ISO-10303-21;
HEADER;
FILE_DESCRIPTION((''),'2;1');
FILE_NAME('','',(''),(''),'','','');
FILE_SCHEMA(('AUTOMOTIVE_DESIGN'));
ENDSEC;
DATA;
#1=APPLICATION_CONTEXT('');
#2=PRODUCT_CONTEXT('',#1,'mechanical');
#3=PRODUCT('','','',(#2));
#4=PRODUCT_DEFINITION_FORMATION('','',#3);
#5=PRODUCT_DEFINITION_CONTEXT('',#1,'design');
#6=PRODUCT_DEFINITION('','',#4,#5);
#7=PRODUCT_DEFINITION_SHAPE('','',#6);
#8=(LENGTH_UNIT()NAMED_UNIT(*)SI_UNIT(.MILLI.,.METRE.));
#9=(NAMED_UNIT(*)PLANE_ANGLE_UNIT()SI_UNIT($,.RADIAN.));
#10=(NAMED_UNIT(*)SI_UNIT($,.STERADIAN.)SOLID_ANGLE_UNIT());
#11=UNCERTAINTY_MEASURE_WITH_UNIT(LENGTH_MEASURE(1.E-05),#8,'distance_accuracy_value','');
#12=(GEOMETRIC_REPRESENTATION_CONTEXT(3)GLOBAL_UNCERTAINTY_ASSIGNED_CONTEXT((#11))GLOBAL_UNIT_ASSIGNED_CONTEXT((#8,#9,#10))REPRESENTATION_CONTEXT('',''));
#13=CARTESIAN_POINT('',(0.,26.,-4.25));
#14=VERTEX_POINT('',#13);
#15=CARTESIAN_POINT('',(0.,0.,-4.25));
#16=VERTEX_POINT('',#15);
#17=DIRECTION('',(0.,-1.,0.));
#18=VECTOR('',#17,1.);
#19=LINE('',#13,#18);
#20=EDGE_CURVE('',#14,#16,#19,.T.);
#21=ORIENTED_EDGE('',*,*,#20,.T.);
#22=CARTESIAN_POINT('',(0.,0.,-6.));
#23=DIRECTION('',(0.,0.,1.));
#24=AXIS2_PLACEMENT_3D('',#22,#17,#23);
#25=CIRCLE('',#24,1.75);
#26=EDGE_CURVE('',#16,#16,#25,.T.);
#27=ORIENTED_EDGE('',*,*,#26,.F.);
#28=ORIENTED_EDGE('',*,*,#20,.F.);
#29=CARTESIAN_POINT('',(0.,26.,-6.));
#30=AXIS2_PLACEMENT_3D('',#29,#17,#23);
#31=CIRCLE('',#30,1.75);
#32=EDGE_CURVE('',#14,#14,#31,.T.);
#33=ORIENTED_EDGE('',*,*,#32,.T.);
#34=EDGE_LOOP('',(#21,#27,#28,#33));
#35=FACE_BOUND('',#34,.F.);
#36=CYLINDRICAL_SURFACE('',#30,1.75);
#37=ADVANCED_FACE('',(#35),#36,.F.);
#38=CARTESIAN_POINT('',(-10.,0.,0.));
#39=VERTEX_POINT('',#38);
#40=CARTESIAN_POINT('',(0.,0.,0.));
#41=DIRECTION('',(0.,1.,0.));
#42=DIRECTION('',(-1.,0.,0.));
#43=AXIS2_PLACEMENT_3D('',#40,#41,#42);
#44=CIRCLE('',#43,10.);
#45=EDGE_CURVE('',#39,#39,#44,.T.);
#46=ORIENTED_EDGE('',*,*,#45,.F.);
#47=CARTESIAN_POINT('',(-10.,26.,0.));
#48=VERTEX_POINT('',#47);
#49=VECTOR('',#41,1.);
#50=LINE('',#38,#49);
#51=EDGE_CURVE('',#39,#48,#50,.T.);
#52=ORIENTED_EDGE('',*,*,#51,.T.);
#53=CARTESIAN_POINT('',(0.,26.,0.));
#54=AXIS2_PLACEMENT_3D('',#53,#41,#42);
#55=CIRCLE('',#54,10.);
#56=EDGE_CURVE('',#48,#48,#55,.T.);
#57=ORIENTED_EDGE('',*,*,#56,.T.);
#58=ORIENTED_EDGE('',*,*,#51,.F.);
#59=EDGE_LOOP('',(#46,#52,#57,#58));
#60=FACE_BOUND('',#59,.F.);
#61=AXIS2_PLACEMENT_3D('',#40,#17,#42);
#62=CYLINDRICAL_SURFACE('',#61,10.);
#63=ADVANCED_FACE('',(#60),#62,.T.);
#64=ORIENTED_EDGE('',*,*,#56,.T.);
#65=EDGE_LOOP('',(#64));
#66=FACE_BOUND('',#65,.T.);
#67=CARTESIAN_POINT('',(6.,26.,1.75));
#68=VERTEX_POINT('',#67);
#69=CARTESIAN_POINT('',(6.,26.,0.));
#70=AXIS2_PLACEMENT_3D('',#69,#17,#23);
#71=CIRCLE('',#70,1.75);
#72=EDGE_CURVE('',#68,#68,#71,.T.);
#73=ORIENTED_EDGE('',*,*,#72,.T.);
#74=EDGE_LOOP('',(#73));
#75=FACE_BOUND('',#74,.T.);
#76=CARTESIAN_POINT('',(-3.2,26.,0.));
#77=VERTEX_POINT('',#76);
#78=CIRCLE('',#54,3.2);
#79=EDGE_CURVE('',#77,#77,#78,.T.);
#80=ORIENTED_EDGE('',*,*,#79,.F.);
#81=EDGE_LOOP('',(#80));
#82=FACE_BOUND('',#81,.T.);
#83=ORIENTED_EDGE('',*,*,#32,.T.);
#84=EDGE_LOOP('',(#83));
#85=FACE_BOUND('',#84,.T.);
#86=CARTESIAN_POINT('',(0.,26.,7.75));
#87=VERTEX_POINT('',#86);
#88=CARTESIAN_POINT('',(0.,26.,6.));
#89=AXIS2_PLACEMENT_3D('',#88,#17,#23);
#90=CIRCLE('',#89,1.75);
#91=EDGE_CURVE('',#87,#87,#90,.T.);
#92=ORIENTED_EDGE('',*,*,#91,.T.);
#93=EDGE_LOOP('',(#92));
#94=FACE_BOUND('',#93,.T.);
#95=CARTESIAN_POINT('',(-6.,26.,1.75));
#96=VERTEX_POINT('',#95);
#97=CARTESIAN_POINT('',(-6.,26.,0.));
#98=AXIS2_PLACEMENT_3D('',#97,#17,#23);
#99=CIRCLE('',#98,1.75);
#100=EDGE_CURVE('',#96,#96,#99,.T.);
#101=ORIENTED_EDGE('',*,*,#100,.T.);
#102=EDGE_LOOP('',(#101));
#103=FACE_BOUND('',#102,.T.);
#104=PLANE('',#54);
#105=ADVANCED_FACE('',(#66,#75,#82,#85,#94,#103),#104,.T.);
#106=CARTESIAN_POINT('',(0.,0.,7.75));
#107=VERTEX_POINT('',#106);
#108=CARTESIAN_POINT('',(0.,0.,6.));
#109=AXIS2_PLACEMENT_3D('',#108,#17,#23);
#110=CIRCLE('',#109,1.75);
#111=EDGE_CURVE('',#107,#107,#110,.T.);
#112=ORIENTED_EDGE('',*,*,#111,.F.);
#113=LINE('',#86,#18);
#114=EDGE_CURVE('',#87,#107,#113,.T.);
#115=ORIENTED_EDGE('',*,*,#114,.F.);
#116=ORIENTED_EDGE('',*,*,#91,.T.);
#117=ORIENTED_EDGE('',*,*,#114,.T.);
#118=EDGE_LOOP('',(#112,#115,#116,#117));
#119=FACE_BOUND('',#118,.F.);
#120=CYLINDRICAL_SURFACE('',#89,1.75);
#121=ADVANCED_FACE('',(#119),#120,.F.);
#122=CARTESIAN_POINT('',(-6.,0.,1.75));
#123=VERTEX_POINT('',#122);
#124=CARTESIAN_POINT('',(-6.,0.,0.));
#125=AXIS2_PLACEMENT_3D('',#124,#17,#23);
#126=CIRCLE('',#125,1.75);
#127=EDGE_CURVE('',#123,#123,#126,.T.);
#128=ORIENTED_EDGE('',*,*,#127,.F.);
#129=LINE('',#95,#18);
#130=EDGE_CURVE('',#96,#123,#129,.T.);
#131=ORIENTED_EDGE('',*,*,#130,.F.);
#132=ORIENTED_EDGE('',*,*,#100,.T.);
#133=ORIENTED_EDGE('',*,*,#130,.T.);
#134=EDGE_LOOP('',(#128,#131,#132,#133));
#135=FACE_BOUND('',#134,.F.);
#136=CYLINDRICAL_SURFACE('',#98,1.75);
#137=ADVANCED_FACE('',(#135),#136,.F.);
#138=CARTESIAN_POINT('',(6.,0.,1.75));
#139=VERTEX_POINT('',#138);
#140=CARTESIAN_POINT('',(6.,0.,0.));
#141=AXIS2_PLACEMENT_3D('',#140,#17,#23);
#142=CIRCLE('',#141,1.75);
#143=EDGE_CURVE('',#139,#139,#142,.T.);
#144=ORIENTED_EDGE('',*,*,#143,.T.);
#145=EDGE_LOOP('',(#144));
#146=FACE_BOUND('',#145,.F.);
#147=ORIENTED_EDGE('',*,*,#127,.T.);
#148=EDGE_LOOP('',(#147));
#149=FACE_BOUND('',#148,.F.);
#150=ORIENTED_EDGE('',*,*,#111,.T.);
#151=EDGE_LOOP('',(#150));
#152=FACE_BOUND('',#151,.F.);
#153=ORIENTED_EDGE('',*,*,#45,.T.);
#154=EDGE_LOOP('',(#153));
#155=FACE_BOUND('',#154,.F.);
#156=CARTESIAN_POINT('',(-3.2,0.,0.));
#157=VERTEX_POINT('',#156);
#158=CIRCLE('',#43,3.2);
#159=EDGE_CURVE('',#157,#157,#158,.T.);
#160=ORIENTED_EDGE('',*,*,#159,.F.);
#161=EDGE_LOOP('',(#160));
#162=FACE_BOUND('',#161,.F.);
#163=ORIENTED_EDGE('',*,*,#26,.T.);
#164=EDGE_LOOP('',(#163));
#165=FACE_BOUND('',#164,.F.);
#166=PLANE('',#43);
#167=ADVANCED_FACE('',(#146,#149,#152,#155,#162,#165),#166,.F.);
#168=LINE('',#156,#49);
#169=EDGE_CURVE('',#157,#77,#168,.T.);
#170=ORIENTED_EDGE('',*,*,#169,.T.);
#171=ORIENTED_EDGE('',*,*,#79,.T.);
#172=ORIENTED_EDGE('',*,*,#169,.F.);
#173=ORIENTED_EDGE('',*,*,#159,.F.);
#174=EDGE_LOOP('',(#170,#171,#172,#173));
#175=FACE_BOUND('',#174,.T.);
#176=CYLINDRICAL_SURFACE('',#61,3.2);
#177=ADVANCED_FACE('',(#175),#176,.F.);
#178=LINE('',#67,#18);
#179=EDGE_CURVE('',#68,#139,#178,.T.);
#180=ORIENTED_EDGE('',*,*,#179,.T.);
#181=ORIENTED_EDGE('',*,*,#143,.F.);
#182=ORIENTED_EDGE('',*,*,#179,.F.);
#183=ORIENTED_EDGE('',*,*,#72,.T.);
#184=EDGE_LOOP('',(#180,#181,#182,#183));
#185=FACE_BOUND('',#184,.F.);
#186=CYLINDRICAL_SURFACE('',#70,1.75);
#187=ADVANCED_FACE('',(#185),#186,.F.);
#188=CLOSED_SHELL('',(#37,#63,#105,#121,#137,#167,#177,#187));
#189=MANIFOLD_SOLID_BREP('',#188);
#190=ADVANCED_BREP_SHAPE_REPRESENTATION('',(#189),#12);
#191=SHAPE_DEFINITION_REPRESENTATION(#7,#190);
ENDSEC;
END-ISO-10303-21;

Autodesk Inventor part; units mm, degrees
ref_plane "YZ Plane" through (0, 0, 0) normal (1, 0, 0) x (0, 1, 0)
ref_plane "XZ Plane" through (0, 0, 0) normal (0, 1, 0) x (-1, 0, 0)
ref_plane "XY Plane" through (0, 0, 0) normal (0, 0, 1) x (1, 0, 0)
sketch "スケッチ1" plane through (0, 0, 0) normal (0, 1, 0) x (-1, 0, 0)
  circle A0 centre (0, 0) radius 3.2
  circle A1 centre (0, 0) radius 10
  dimension "d0" = 6.4
  dimension "d1" = 20
extrude "押し出し1" add sketch "スケッチ1" along normal blind 26
sketch "スケッチ2" plane through (0, 26, 0) normal (0, 1, 0) x (1, 0, 0)
  circle A0 centre (0, 0) radius 6 construction
  point P0 (-6, 0)
  point P1 (0, -6)
  point P2 (6, 0)
  point P3 (0, 6)
  dimension "d4" = 12
  dimension "d7" = 360
hole "穴1" at (-6, 26, 0) at (0, 26, 6) at (6, 26, 0) at (0, 26, -6) direction (0, -1, 0) diameter 3.5 end through all
properties part number "shoulder1_under_lower_plate_spacer"
